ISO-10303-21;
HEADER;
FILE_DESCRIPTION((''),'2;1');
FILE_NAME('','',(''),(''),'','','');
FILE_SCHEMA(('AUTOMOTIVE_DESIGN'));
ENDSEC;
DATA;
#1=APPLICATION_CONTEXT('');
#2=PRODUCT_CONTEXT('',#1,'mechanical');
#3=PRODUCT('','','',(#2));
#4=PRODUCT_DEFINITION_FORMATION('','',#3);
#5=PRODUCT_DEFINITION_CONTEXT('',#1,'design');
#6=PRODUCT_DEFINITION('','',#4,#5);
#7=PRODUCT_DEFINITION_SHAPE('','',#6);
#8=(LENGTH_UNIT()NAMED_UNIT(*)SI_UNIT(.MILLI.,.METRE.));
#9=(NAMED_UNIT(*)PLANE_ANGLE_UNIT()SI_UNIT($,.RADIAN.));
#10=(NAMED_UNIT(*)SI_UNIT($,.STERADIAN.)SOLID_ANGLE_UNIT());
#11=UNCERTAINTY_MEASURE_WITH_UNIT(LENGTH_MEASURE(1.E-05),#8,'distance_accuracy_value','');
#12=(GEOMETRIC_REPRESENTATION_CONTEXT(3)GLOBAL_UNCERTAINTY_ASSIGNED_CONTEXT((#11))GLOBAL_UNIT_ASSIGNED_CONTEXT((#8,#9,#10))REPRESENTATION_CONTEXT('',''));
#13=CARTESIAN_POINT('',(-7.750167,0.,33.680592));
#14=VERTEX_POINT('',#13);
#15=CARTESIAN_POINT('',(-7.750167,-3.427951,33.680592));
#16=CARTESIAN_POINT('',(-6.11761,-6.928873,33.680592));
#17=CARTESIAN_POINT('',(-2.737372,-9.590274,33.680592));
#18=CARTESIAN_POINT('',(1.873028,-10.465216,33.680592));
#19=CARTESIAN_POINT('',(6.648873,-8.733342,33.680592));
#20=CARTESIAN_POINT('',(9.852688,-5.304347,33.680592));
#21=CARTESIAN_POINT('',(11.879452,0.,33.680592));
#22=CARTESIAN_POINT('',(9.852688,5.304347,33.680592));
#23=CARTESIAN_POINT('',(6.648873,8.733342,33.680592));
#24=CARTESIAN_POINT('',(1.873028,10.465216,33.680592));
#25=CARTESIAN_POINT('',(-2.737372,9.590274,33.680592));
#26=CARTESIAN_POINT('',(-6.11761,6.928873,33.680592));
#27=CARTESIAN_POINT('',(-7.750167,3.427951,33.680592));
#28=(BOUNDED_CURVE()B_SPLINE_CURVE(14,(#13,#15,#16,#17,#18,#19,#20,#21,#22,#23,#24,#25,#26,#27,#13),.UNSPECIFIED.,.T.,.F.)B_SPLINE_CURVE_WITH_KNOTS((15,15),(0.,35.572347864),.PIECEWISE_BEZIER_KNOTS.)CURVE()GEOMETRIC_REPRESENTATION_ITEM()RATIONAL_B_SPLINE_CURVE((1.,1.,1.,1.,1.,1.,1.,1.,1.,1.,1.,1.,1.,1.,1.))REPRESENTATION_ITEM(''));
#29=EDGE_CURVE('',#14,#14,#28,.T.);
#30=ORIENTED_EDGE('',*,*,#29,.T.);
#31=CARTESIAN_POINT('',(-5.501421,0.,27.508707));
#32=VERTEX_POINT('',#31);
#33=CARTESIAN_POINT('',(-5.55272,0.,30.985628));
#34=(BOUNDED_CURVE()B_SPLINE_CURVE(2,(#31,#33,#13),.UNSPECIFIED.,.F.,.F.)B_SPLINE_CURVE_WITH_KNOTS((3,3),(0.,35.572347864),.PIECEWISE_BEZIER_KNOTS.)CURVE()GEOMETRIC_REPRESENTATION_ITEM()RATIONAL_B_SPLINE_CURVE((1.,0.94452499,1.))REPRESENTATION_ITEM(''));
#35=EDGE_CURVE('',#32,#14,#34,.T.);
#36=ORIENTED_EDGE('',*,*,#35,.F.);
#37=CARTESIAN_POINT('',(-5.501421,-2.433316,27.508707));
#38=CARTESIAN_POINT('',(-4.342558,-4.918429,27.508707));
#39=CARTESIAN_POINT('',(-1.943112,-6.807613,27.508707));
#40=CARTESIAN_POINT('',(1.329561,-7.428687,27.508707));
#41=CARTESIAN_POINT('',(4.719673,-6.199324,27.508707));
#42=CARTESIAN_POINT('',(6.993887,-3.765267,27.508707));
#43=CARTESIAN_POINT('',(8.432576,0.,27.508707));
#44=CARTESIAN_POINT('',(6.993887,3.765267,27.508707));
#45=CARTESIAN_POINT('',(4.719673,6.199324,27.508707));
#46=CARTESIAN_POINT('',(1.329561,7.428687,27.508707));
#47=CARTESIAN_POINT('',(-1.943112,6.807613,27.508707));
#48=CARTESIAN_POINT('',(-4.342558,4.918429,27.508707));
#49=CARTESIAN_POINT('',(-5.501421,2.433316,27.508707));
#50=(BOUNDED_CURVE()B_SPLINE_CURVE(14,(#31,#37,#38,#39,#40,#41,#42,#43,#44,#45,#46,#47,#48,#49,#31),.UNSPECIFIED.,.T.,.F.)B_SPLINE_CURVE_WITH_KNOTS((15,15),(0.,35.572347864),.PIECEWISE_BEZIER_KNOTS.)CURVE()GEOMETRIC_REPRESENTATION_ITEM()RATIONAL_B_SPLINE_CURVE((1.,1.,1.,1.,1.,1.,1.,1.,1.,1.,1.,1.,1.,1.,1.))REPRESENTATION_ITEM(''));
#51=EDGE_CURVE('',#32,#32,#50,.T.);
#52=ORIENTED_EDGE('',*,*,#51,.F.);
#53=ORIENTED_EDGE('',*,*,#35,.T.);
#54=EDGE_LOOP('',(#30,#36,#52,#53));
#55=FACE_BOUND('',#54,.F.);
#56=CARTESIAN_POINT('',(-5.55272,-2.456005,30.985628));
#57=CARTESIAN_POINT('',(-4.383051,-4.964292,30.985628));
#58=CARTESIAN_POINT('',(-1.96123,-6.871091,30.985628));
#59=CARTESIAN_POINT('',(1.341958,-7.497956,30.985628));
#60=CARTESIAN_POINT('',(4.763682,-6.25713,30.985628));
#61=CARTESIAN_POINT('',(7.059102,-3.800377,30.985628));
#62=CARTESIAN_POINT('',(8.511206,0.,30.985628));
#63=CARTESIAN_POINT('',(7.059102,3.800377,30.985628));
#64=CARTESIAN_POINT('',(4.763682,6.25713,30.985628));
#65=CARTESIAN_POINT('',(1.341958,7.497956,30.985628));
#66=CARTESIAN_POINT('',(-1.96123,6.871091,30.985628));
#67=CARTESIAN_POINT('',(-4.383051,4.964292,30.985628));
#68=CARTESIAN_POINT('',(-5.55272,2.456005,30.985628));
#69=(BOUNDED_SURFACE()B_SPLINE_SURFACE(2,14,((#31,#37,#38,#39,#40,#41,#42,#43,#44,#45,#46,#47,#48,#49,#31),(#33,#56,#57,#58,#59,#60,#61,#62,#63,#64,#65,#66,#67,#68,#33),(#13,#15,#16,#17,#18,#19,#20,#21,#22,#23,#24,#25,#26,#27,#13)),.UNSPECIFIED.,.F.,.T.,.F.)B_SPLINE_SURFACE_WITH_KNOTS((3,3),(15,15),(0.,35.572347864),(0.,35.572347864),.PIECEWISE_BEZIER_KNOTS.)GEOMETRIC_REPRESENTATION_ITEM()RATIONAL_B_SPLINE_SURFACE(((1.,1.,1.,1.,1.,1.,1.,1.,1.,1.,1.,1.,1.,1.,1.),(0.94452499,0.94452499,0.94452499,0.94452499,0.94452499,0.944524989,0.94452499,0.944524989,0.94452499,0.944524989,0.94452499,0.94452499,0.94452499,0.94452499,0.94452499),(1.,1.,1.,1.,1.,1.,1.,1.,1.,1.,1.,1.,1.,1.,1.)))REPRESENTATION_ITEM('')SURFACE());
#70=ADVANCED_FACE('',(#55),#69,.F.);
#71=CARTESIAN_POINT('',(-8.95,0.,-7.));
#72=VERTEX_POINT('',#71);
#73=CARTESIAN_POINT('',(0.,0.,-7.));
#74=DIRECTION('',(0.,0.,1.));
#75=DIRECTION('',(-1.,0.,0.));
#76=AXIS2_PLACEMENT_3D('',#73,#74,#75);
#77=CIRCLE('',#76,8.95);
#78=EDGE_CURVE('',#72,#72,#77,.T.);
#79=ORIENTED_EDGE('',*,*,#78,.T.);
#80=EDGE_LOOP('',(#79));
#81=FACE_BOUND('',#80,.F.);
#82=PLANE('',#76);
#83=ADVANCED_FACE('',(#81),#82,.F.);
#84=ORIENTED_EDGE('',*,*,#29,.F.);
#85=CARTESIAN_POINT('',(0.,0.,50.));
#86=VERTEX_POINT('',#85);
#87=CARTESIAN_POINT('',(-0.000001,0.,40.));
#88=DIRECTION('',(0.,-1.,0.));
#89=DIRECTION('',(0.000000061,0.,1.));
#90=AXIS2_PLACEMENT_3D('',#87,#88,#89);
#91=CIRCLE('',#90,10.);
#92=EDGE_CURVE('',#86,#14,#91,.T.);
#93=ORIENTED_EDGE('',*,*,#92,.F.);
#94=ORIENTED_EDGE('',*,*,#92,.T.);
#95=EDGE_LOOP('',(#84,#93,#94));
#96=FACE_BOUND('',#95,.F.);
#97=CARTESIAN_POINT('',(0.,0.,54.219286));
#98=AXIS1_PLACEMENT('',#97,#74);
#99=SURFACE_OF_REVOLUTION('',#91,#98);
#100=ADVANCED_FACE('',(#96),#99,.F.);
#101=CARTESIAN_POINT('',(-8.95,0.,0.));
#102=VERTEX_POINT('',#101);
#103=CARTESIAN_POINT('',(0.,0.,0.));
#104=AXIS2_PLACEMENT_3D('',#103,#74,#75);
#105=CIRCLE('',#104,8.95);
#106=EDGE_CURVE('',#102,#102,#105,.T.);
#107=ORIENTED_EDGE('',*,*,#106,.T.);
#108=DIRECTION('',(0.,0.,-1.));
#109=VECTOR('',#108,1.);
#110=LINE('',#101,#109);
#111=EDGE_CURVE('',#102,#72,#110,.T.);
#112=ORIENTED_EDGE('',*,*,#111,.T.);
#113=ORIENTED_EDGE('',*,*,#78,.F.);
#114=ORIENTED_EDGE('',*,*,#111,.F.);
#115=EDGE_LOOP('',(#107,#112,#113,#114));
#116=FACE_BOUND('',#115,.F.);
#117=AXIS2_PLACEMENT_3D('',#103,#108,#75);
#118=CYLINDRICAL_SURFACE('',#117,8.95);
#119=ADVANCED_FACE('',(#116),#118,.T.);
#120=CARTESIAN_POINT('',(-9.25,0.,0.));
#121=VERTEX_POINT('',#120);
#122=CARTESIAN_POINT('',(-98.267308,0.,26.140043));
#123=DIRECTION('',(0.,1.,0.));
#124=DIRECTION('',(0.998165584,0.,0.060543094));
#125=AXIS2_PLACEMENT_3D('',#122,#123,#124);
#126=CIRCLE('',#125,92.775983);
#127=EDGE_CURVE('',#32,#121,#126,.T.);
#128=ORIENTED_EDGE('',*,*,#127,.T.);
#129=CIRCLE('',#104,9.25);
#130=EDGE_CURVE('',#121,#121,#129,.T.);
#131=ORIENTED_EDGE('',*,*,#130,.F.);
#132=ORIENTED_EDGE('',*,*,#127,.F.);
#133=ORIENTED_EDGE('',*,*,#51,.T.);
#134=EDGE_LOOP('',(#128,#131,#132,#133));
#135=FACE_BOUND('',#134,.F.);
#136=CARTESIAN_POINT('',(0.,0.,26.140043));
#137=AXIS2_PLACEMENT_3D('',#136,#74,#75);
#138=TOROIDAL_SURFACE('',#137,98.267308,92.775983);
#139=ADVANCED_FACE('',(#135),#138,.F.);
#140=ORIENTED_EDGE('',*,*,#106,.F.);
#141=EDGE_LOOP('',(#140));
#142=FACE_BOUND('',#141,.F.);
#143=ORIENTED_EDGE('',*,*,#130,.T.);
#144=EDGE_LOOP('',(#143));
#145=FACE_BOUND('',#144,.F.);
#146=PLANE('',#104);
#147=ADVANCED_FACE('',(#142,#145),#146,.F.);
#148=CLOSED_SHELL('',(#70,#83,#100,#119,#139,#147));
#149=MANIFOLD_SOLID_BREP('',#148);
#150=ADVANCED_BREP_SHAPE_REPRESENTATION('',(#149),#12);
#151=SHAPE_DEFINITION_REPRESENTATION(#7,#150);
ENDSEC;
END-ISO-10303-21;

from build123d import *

# Parameters (mm, degrees)
F2_R = 10


with BuildPart() as f1:
    # F0 (on Front) → F1 (revolve)
    with BuildSketch(Plane.XZ):
        with BuildLine():
            ThreePointArc((-5.661515, 31.756988), (-6.078023, 15.722812), (-9.25, 0))
            Line((-9.25, 0), (-8.95, 0))
            Line((-8.95, 0), (-8.95, -7))
            Line((-8.95, -7), (0, -7))
            Line((0, -7), (0, 0))
            Line((0, 0), (0, 50))
            ThreePointArc((0, 50), (-9.550658, 42.96394), (-5.661515, 31.756988))
        make_face()
    revolve(axis=Axis((0, 0, 54.219286), (0, 0, 1)))

    # F2
    f2_edges = [f1.edges().sort_by_distance(p)[0] for p in [
        (5.661515, 0, 31.756988),
    ]]
    fillet(f2_edges, radius=F2_R)


solid = f1.part
